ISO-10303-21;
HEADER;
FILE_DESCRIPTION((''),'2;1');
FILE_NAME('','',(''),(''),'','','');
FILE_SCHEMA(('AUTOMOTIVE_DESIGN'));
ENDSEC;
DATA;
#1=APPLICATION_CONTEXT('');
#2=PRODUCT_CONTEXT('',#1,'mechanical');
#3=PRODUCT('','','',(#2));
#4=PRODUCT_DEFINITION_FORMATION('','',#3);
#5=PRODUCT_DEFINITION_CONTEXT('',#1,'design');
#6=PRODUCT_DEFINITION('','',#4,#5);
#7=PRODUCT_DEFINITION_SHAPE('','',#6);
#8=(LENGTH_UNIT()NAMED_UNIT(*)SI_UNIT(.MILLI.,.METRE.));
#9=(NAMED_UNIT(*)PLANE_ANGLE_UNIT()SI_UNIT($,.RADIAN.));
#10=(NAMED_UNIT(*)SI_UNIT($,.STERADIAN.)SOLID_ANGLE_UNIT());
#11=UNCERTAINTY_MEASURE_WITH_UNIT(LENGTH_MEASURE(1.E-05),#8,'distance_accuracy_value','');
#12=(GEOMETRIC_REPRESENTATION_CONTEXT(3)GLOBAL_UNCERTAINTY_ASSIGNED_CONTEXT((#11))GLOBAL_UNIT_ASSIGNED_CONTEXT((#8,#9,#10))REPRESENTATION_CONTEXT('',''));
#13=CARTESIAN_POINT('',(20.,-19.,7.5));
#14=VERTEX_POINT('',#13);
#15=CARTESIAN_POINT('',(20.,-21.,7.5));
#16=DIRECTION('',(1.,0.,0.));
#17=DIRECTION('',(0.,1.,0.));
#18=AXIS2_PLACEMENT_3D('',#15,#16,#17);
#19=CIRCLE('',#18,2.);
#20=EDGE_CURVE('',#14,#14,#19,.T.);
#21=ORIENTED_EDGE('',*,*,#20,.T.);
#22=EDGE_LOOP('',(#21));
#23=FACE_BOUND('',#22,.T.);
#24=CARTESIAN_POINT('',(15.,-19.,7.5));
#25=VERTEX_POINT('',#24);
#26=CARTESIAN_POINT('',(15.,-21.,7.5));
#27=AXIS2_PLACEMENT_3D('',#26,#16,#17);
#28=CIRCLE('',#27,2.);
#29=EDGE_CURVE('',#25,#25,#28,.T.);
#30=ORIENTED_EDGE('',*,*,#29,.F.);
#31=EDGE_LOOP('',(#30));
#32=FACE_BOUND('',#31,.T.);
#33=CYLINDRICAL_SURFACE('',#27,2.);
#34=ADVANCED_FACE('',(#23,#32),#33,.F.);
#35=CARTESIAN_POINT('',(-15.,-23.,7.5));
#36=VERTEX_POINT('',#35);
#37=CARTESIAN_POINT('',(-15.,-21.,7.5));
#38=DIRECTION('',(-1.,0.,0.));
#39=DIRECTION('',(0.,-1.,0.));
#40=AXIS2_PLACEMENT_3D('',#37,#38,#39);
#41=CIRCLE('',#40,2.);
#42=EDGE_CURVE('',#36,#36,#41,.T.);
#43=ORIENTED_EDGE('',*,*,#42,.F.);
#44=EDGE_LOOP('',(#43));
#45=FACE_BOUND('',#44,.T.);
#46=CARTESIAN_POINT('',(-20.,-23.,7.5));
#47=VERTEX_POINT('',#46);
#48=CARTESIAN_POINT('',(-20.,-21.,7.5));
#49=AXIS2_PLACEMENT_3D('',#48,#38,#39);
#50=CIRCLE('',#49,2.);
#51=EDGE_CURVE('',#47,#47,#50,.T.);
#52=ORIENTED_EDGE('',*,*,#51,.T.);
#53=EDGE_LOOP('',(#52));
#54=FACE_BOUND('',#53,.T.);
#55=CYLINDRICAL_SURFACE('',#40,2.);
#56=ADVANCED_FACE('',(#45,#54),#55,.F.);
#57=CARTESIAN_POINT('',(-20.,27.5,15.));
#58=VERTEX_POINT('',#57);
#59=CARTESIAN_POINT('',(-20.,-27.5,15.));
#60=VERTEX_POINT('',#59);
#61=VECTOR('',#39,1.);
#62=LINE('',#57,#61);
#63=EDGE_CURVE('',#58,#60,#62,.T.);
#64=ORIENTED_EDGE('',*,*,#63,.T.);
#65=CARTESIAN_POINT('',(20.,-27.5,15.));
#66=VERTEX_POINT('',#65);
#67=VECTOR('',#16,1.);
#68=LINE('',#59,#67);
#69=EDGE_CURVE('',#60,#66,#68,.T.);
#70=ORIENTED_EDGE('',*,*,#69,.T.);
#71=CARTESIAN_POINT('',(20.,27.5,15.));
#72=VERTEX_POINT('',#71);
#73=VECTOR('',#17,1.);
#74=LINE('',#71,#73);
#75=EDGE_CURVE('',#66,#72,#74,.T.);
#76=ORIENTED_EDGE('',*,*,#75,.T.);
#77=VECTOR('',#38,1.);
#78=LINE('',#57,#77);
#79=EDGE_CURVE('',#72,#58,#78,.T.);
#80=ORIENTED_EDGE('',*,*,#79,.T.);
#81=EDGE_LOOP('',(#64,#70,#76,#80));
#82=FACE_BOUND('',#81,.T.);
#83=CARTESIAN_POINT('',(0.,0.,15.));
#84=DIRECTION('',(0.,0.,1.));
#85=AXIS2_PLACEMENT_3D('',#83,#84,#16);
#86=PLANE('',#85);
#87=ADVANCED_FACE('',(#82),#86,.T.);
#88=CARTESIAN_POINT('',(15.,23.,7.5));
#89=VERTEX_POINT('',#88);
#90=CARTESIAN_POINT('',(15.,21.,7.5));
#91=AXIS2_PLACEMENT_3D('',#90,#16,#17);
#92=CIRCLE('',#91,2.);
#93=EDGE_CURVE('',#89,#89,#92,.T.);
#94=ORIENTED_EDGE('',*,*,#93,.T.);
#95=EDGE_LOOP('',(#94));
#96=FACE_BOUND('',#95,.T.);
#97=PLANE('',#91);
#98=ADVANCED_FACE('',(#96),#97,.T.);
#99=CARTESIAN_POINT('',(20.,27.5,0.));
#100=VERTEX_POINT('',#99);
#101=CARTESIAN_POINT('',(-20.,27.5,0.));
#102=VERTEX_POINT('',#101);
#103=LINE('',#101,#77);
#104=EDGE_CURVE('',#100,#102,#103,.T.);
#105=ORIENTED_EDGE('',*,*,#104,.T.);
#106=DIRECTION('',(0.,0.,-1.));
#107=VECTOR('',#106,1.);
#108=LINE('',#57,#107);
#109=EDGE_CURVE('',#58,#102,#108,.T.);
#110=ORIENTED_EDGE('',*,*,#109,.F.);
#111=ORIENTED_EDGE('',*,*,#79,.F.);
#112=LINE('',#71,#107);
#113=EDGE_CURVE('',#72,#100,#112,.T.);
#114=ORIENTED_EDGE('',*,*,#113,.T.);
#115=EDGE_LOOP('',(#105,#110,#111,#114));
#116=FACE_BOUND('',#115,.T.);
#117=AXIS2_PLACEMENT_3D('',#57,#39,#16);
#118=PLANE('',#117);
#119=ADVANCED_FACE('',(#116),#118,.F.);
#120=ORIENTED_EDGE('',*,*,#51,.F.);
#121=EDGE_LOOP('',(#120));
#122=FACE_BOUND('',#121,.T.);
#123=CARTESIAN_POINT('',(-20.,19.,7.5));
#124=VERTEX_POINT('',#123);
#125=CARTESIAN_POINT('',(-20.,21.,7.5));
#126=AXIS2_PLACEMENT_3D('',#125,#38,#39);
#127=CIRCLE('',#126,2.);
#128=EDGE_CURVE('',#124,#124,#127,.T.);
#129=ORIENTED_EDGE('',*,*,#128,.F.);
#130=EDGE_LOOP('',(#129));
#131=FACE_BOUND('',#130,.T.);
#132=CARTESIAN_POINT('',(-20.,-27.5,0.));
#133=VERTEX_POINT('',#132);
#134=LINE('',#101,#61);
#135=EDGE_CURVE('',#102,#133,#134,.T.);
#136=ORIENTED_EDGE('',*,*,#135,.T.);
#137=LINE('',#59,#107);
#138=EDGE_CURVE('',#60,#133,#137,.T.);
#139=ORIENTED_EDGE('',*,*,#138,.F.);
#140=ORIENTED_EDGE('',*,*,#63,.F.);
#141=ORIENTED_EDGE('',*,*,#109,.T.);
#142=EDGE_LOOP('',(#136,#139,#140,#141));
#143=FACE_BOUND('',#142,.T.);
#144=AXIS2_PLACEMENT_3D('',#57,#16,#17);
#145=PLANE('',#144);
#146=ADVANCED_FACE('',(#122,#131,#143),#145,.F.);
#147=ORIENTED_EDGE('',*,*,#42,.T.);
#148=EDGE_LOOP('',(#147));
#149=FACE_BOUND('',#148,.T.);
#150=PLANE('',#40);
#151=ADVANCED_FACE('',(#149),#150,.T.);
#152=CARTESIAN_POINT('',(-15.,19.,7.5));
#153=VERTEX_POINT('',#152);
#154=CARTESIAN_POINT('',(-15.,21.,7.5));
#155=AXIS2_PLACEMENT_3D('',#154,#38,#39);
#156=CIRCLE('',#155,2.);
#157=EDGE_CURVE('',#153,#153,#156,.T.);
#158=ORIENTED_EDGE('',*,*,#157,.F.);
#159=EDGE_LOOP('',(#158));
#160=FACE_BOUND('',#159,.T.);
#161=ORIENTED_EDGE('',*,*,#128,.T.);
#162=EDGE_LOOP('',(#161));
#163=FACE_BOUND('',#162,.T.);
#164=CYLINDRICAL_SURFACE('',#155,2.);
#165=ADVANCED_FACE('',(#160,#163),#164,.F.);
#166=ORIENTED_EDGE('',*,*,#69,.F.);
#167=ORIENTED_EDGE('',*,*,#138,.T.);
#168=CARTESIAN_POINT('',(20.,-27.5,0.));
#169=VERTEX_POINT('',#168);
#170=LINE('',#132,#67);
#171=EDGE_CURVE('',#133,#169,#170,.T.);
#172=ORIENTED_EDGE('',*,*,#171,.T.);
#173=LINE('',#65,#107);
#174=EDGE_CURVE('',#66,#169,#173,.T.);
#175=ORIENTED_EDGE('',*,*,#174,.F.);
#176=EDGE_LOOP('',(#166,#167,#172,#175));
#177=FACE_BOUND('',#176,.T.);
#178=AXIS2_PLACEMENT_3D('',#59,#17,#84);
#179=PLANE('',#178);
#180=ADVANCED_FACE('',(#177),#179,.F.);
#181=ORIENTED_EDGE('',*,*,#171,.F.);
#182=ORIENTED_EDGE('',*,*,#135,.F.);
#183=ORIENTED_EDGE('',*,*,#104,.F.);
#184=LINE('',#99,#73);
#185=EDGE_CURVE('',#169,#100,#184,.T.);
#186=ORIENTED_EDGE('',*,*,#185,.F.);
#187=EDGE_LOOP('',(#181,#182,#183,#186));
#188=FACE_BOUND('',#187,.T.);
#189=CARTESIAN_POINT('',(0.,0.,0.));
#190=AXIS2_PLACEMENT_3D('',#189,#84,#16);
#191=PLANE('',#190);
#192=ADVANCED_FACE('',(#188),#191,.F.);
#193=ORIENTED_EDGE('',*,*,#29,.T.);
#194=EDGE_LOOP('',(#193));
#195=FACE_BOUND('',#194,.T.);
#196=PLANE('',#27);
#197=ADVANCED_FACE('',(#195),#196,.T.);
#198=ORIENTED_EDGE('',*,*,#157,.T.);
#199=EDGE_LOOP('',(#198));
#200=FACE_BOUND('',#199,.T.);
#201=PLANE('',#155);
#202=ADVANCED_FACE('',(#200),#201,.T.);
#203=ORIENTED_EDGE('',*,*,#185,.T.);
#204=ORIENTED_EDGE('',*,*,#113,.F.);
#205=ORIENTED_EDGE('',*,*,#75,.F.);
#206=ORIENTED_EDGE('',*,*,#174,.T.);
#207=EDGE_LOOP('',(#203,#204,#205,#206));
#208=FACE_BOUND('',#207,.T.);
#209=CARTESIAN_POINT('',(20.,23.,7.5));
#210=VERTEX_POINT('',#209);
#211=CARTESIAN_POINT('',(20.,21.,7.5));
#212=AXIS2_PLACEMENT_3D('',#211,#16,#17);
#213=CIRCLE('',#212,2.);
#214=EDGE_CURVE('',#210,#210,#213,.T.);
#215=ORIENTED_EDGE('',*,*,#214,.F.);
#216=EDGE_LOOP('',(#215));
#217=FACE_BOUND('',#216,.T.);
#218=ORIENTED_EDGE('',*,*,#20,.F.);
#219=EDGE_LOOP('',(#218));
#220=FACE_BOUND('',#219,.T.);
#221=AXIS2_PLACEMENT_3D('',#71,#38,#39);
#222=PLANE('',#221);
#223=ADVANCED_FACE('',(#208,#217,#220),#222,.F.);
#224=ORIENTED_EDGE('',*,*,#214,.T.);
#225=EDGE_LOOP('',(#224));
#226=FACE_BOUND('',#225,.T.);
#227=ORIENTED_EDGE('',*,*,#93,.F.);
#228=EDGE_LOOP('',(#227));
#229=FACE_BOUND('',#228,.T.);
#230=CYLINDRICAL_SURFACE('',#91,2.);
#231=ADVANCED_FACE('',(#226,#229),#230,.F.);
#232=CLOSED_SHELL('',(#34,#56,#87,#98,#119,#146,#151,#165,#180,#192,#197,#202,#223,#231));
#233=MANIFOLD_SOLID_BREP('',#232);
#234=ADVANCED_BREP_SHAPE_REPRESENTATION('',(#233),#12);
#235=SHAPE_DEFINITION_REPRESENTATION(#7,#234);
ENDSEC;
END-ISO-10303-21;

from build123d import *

# Parameters (mm, degrees)
ESQUISSE1_W             = 40
ESQUISSE1_H             = 55
BOSS_EXTRU_1_DEPTH      = 15
ESQUISSE2_R             = 2
ENL_V_MAT_EXTRU_1_DEPTH = 5
ESQUISSE3_R             = 2
ENL_V_MAT_EXTRU_2_DEPTH = 5


with BuildPart() as part:
    # Esquisse1 → Boss.-Extru.1 (new body)
    with BuildSketch(Plane.XY):
        Rectangle(ESQUISSE1_W, ESQUISSE1_H)
    extrude(amount=BOSS_EXTRU_1_DEPTH)

    # Esquisse2 → Enlèv. mat.-Extru.1 (cut)
    with BuildSketch(Plane(origin=(20, 0, 0), x_dir=(0, 0, -1), z_dir=(1, 0, 0))):
        with Locations((-7.5, 21)):
            Circle(ESQUISSE2_R)
        with Locations((-7.5, -21)):
            Circle(ESQUISSE2_R)
    extrude(amount=-ENL_V_MAT_EXTRU_1_DEPTH, mode=Mode.SUBTRACT)

    # Esquisse3 → Enlèv. mat.-Extru.2 (cut)
    with BuildSketch(Plane.ZY.offset(20)):
        with Locations((7.5, 21)):
            Circle(ESQUISSE3_R)
        with Locations((7.5, -21)):
            Circle(ESQUISSE3_R)
    extrude(amount=-ENL_V_MAT_EXTRU_2_DEPTH, mode=Mode.SUBTRACT)


solid = part.part
